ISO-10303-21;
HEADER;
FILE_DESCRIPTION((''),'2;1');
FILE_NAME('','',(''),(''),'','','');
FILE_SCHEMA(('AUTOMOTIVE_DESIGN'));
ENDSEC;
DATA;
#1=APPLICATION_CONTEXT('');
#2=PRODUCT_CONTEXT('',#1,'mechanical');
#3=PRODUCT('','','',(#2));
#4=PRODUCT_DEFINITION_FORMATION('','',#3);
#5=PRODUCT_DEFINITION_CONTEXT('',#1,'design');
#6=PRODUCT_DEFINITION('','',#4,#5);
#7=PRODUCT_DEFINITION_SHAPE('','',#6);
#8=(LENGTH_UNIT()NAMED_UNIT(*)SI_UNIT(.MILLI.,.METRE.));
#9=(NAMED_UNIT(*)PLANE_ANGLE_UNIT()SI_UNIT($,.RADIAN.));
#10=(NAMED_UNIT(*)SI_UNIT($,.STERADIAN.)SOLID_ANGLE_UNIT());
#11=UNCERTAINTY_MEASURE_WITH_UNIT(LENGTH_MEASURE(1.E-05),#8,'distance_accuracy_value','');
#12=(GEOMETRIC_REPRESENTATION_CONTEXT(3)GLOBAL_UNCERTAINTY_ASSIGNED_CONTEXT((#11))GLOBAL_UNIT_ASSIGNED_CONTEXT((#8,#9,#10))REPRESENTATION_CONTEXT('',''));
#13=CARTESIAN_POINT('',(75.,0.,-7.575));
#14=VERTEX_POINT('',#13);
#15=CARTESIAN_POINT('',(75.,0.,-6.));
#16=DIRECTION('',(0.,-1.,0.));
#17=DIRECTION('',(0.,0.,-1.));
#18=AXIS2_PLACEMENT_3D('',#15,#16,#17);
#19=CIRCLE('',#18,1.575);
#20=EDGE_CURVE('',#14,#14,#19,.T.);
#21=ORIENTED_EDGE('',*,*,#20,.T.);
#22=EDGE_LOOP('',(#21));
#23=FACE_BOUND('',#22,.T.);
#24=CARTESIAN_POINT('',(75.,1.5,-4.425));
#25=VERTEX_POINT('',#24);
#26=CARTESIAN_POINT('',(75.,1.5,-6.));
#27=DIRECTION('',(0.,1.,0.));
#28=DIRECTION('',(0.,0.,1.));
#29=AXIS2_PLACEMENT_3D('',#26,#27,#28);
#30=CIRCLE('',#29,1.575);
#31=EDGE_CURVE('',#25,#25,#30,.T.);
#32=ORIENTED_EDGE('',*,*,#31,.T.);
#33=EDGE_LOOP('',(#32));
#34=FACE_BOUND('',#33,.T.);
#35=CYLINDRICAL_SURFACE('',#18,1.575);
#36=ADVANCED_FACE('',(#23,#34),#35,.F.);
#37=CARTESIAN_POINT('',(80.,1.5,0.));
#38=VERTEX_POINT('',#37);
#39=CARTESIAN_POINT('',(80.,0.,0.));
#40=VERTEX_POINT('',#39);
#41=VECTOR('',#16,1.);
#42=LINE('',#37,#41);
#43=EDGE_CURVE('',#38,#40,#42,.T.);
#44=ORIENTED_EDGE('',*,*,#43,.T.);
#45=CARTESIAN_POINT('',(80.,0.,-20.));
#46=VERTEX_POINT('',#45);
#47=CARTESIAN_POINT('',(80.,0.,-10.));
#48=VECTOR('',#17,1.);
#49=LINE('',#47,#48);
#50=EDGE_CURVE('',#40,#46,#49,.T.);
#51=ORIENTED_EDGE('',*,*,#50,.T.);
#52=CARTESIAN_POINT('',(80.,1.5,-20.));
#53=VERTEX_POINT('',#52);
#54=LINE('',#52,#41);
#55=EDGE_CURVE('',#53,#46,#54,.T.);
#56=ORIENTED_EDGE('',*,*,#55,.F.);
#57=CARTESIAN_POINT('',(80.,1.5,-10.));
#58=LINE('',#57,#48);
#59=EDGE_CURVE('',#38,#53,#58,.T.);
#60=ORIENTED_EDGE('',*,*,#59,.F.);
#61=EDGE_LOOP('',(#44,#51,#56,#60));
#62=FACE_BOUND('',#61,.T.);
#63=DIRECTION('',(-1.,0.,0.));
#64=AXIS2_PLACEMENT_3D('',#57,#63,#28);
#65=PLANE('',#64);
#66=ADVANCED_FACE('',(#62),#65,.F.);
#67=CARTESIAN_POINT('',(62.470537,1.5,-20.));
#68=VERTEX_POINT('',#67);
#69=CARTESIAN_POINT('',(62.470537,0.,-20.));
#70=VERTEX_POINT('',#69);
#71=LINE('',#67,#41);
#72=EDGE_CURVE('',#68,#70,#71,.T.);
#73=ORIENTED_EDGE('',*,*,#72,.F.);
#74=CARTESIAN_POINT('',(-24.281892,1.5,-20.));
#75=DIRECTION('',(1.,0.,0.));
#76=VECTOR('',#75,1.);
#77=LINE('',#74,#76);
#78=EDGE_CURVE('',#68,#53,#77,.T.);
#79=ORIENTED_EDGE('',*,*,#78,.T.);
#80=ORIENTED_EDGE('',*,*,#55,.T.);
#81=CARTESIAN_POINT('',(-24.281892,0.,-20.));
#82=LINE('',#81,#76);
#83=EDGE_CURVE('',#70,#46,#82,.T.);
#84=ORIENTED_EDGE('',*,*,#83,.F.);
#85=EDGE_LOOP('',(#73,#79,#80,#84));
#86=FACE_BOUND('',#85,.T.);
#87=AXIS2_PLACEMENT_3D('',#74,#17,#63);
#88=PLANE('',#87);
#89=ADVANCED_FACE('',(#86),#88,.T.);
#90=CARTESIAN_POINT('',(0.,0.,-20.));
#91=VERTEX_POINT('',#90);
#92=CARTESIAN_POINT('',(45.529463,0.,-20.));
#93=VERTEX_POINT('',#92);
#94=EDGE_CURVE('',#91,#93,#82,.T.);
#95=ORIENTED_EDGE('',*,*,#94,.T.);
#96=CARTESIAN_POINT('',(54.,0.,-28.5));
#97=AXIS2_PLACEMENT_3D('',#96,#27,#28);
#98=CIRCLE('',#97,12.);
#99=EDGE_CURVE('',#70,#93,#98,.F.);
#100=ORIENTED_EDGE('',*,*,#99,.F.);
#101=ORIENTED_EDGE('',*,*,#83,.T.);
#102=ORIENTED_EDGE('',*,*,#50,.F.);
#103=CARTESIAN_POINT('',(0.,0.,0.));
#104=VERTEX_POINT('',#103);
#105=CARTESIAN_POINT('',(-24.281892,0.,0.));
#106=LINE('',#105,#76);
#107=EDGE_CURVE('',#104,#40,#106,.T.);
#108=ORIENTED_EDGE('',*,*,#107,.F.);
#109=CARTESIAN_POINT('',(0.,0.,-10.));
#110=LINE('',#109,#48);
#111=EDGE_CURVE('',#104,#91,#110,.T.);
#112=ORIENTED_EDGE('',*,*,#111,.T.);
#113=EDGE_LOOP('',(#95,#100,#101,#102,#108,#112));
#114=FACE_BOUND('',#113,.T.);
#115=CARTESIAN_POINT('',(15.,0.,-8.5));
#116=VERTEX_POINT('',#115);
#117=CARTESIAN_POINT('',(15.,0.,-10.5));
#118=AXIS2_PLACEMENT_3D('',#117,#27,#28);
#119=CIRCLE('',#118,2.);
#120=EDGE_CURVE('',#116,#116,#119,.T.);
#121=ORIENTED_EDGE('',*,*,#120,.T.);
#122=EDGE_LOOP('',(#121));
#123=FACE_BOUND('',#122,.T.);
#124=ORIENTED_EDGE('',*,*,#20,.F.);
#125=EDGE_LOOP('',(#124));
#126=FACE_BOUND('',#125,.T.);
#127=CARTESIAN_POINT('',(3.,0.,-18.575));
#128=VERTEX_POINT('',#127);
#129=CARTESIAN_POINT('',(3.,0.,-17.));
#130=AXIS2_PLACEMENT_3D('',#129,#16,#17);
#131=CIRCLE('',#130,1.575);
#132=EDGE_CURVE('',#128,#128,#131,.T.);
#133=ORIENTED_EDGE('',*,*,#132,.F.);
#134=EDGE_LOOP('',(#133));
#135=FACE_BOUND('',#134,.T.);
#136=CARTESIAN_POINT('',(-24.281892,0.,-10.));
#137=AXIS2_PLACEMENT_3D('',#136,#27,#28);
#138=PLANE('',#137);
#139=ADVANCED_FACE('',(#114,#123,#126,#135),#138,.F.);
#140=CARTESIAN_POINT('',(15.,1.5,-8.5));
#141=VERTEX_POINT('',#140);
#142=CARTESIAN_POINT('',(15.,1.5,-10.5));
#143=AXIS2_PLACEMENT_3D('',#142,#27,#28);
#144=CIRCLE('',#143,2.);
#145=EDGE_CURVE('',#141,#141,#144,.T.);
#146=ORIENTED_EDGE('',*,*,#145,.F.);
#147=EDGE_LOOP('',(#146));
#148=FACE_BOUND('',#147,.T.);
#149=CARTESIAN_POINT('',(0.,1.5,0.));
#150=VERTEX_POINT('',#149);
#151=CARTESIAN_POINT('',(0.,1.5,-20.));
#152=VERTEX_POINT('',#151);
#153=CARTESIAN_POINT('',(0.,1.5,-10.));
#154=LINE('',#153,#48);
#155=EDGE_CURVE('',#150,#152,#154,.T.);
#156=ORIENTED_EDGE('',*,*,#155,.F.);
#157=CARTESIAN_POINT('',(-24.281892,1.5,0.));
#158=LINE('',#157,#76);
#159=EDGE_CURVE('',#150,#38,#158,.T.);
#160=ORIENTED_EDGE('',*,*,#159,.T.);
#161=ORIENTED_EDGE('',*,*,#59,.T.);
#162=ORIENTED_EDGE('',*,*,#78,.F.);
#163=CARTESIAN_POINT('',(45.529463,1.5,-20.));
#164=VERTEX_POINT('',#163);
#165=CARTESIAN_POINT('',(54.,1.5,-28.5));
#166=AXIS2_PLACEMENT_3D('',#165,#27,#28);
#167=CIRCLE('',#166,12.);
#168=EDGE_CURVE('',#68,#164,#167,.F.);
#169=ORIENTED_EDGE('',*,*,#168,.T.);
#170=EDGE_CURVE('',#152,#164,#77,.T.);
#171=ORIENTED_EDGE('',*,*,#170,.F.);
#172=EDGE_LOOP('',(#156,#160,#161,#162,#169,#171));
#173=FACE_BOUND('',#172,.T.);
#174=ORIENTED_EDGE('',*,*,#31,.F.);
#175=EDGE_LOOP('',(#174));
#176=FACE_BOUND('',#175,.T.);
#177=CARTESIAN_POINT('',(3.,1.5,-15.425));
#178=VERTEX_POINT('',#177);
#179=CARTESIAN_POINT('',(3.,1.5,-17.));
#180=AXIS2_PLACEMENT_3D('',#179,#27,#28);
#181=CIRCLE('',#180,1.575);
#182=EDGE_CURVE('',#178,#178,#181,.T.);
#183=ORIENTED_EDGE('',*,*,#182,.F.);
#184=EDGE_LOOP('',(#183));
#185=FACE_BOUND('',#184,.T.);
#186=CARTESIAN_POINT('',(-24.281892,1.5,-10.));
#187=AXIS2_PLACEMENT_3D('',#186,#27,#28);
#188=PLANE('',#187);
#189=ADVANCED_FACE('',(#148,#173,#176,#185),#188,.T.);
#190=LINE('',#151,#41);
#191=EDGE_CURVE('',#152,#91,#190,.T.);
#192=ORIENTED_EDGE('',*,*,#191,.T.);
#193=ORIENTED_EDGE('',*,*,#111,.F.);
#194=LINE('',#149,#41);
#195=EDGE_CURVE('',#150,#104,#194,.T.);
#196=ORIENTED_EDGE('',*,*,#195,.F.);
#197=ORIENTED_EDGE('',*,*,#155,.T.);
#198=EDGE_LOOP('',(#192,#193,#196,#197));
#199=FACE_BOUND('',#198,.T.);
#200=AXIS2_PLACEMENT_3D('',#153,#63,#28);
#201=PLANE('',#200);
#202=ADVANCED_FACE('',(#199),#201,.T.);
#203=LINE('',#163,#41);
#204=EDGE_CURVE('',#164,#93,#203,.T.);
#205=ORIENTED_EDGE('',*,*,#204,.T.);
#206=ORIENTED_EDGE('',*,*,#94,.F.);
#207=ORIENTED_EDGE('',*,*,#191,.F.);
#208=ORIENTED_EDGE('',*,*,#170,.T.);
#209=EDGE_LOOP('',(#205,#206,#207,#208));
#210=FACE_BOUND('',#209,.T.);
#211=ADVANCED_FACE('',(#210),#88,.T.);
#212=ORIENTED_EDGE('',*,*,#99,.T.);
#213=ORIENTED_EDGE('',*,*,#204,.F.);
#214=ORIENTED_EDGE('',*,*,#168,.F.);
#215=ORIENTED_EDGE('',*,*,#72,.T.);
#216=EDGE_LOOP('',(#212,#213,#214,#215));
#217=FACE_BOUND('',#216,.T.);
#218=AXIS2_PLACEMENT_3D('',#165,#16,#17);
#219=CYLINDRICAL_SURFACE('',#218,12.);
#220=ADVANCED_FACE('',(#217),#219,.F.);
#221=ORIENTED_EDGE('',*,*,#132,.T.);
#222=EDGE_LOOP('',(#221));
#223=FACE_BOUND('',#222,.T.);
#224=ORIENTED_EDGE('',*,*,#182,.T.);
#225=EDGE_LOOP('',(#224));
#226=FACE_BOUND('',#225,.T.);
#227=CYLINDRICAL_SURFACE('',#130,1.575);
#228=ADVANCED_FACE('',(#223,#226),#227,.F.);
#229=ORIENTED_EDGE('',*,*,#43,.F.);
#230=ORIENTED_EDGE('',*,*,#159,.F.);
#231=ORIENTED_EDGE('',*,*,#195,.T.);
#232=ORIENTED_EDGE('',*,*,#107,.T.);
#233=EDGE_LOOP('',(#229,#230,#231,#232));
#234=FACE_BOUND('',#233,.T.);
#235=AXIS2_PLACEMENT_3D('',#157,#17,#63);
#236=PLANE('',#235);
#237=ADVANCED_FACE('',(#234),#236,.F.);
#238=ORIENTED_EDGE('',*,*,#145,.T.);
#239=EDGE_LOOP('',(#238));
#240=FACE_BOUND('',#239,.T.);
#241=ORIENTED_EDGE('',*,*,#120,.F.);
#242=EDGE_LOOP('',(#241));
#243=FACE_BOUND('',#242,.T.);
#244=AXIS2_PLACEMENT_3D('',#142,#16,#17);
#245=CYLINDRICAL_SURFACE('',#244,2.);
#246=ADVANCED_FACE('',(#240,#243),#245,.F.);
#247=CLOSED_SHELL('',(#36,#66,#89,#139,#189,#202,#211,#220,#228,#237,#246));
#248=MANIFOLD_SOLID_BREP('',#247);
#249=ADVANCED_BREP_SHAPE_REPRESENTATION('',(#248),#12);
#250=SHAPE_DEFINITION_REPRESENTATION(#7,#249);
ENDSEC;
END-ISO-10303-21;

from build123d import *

# Parameters (mm, degrees)
SKETCH_1_R          = 2
EXTRUDE_1_DEPTH     = 1.5
HOLE_WIZARD_3_D     = 3.15
HOLE_WIZARD_3_DEPTH = 12
HOLE_WIZARD_3_TIP   = 0.946355475


with BuildPart() as part:
    # Эскиз1 → Бобышка-Вытянуть1 (new body)
    with BuildSketch(Plane(origin=(0, 0, 0), x_dir=(1, 0, 0), z_dir=(0, 1, 0))):
        with BuildLine():
            Line((0, 0), (80, 0))
            Line((80, 0), (80, 20))
            Line((80, 20), (62.470537173, 20))
            ThreePointArc((62.470537173, 20), (54, 16.5), (45.529462827, 20))
            Line((45.529462827, 20), (0, 20))
            Line((0, 20), (0, 0))
        make_face()
        with Locations((15, 10.5)):
            Circle(SKETCH_1_R, mode=Mode.SUBTRACT)
    extrude(amount=EXTRUDE_1_DEPTH)

    # Под_М3
    with Locations(Plane.XZ):
        with Locations((75, -6), (3, -17)):
            Hole(HOLE_WIZARD_3_D / 2, depth=HOLE_WIZARD_3_DEPTH)
            with Locations((0, 0, -(HOLE_WIZARD_3_DEPTH + HOLE_WIZARD_3_TIP / 2))):  # 118° drill point
                Cone(0, HOLE_WIZARD_3_D / 2, HOLE_WIZARD_3_TIP, mode=Mode.SUBTRACT)


solid = part.part
